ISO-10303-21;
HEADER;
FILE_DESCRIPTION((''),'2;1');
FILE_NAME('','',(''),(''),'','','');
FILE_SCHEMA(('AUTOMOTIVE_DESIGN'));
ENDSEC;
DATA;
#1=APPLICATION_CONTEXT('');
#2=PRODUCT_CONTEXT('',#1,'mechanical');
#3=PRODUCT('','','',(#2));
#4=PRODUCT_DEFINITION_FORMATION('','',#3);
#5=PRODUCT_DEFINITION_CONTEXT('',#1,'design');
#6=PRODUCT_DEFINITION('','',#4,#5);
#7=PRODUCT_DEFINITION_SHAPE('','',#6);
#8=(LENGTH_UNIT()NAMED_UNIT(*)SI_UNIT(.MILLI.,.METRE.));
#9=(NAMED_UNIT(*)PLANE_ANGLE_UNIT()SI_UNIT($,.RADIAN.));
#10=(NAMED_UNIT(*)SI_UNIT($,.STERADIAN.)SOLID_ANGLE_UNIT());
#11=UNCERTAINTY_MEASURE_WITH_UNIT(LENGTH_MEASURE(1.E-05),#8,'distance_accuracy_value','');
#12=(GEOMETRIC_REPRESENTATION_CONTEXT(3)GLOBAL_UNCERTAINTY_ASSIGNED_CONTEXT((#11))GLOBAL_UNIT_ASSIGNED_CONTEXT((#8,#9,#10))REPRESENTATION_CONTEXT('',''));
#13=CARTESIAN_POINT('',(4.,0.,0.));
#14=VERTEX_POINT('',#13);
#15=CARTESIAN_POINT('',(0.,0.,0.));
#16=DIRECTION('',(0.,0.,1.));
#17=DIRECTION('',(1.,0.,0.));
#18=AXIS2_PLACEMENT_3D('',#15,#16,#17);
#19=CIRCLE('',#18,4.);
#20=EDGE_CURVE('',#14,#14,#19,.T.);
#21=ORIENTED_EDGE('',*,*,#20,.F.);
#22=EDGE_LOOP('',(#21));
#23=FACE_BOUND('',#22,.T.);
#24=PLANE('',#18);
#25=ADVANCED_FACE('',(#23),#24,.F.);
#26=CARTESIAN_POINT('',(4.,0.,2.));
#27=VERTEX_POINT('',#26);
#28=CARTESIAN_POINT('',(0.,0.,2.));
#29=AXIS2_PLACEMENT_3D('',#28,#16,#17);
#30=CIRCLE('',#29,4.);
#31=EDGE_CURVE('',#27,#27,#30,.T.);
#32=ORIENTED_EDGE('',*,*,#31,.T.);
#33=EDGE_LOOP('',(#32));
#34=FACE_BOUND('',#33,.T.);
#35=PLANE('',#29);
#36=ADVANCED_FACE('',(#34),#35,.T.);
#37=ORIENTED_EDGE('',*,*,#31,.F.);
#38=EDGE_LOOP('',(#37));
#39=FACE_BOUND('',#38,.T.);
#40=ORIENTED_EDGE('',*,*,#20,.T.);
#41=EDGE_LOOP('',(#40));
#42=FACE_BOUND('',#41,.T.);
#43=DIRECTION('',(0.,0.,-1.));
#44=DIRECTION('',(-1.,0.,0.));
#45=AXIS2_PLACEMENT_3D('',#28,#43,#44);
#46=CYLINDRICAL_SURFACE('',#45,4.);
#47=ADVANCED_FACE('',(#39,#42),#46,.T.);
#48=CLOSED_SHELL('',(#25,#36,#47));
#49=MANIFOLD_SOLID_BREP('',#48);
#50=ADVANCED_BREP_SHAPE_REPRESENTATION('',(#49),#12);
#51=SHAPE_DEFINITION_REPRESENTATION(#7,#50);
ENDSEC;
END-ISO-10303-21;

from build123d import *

# Parameters (mm, degrees)
SKETCH1_R           = 4
BOSS_EXTRUDE1_DEPTH = 2


with BuildPart() as part:
    # Sketch1 → Boss-Extrude1 (new body)
    with BuildSketch(Plane.XY):
        Circle(SKETCH1_R)
    extrude(amount=BOSS_EXTRUDE1_DEPTH)


solid = part.part
